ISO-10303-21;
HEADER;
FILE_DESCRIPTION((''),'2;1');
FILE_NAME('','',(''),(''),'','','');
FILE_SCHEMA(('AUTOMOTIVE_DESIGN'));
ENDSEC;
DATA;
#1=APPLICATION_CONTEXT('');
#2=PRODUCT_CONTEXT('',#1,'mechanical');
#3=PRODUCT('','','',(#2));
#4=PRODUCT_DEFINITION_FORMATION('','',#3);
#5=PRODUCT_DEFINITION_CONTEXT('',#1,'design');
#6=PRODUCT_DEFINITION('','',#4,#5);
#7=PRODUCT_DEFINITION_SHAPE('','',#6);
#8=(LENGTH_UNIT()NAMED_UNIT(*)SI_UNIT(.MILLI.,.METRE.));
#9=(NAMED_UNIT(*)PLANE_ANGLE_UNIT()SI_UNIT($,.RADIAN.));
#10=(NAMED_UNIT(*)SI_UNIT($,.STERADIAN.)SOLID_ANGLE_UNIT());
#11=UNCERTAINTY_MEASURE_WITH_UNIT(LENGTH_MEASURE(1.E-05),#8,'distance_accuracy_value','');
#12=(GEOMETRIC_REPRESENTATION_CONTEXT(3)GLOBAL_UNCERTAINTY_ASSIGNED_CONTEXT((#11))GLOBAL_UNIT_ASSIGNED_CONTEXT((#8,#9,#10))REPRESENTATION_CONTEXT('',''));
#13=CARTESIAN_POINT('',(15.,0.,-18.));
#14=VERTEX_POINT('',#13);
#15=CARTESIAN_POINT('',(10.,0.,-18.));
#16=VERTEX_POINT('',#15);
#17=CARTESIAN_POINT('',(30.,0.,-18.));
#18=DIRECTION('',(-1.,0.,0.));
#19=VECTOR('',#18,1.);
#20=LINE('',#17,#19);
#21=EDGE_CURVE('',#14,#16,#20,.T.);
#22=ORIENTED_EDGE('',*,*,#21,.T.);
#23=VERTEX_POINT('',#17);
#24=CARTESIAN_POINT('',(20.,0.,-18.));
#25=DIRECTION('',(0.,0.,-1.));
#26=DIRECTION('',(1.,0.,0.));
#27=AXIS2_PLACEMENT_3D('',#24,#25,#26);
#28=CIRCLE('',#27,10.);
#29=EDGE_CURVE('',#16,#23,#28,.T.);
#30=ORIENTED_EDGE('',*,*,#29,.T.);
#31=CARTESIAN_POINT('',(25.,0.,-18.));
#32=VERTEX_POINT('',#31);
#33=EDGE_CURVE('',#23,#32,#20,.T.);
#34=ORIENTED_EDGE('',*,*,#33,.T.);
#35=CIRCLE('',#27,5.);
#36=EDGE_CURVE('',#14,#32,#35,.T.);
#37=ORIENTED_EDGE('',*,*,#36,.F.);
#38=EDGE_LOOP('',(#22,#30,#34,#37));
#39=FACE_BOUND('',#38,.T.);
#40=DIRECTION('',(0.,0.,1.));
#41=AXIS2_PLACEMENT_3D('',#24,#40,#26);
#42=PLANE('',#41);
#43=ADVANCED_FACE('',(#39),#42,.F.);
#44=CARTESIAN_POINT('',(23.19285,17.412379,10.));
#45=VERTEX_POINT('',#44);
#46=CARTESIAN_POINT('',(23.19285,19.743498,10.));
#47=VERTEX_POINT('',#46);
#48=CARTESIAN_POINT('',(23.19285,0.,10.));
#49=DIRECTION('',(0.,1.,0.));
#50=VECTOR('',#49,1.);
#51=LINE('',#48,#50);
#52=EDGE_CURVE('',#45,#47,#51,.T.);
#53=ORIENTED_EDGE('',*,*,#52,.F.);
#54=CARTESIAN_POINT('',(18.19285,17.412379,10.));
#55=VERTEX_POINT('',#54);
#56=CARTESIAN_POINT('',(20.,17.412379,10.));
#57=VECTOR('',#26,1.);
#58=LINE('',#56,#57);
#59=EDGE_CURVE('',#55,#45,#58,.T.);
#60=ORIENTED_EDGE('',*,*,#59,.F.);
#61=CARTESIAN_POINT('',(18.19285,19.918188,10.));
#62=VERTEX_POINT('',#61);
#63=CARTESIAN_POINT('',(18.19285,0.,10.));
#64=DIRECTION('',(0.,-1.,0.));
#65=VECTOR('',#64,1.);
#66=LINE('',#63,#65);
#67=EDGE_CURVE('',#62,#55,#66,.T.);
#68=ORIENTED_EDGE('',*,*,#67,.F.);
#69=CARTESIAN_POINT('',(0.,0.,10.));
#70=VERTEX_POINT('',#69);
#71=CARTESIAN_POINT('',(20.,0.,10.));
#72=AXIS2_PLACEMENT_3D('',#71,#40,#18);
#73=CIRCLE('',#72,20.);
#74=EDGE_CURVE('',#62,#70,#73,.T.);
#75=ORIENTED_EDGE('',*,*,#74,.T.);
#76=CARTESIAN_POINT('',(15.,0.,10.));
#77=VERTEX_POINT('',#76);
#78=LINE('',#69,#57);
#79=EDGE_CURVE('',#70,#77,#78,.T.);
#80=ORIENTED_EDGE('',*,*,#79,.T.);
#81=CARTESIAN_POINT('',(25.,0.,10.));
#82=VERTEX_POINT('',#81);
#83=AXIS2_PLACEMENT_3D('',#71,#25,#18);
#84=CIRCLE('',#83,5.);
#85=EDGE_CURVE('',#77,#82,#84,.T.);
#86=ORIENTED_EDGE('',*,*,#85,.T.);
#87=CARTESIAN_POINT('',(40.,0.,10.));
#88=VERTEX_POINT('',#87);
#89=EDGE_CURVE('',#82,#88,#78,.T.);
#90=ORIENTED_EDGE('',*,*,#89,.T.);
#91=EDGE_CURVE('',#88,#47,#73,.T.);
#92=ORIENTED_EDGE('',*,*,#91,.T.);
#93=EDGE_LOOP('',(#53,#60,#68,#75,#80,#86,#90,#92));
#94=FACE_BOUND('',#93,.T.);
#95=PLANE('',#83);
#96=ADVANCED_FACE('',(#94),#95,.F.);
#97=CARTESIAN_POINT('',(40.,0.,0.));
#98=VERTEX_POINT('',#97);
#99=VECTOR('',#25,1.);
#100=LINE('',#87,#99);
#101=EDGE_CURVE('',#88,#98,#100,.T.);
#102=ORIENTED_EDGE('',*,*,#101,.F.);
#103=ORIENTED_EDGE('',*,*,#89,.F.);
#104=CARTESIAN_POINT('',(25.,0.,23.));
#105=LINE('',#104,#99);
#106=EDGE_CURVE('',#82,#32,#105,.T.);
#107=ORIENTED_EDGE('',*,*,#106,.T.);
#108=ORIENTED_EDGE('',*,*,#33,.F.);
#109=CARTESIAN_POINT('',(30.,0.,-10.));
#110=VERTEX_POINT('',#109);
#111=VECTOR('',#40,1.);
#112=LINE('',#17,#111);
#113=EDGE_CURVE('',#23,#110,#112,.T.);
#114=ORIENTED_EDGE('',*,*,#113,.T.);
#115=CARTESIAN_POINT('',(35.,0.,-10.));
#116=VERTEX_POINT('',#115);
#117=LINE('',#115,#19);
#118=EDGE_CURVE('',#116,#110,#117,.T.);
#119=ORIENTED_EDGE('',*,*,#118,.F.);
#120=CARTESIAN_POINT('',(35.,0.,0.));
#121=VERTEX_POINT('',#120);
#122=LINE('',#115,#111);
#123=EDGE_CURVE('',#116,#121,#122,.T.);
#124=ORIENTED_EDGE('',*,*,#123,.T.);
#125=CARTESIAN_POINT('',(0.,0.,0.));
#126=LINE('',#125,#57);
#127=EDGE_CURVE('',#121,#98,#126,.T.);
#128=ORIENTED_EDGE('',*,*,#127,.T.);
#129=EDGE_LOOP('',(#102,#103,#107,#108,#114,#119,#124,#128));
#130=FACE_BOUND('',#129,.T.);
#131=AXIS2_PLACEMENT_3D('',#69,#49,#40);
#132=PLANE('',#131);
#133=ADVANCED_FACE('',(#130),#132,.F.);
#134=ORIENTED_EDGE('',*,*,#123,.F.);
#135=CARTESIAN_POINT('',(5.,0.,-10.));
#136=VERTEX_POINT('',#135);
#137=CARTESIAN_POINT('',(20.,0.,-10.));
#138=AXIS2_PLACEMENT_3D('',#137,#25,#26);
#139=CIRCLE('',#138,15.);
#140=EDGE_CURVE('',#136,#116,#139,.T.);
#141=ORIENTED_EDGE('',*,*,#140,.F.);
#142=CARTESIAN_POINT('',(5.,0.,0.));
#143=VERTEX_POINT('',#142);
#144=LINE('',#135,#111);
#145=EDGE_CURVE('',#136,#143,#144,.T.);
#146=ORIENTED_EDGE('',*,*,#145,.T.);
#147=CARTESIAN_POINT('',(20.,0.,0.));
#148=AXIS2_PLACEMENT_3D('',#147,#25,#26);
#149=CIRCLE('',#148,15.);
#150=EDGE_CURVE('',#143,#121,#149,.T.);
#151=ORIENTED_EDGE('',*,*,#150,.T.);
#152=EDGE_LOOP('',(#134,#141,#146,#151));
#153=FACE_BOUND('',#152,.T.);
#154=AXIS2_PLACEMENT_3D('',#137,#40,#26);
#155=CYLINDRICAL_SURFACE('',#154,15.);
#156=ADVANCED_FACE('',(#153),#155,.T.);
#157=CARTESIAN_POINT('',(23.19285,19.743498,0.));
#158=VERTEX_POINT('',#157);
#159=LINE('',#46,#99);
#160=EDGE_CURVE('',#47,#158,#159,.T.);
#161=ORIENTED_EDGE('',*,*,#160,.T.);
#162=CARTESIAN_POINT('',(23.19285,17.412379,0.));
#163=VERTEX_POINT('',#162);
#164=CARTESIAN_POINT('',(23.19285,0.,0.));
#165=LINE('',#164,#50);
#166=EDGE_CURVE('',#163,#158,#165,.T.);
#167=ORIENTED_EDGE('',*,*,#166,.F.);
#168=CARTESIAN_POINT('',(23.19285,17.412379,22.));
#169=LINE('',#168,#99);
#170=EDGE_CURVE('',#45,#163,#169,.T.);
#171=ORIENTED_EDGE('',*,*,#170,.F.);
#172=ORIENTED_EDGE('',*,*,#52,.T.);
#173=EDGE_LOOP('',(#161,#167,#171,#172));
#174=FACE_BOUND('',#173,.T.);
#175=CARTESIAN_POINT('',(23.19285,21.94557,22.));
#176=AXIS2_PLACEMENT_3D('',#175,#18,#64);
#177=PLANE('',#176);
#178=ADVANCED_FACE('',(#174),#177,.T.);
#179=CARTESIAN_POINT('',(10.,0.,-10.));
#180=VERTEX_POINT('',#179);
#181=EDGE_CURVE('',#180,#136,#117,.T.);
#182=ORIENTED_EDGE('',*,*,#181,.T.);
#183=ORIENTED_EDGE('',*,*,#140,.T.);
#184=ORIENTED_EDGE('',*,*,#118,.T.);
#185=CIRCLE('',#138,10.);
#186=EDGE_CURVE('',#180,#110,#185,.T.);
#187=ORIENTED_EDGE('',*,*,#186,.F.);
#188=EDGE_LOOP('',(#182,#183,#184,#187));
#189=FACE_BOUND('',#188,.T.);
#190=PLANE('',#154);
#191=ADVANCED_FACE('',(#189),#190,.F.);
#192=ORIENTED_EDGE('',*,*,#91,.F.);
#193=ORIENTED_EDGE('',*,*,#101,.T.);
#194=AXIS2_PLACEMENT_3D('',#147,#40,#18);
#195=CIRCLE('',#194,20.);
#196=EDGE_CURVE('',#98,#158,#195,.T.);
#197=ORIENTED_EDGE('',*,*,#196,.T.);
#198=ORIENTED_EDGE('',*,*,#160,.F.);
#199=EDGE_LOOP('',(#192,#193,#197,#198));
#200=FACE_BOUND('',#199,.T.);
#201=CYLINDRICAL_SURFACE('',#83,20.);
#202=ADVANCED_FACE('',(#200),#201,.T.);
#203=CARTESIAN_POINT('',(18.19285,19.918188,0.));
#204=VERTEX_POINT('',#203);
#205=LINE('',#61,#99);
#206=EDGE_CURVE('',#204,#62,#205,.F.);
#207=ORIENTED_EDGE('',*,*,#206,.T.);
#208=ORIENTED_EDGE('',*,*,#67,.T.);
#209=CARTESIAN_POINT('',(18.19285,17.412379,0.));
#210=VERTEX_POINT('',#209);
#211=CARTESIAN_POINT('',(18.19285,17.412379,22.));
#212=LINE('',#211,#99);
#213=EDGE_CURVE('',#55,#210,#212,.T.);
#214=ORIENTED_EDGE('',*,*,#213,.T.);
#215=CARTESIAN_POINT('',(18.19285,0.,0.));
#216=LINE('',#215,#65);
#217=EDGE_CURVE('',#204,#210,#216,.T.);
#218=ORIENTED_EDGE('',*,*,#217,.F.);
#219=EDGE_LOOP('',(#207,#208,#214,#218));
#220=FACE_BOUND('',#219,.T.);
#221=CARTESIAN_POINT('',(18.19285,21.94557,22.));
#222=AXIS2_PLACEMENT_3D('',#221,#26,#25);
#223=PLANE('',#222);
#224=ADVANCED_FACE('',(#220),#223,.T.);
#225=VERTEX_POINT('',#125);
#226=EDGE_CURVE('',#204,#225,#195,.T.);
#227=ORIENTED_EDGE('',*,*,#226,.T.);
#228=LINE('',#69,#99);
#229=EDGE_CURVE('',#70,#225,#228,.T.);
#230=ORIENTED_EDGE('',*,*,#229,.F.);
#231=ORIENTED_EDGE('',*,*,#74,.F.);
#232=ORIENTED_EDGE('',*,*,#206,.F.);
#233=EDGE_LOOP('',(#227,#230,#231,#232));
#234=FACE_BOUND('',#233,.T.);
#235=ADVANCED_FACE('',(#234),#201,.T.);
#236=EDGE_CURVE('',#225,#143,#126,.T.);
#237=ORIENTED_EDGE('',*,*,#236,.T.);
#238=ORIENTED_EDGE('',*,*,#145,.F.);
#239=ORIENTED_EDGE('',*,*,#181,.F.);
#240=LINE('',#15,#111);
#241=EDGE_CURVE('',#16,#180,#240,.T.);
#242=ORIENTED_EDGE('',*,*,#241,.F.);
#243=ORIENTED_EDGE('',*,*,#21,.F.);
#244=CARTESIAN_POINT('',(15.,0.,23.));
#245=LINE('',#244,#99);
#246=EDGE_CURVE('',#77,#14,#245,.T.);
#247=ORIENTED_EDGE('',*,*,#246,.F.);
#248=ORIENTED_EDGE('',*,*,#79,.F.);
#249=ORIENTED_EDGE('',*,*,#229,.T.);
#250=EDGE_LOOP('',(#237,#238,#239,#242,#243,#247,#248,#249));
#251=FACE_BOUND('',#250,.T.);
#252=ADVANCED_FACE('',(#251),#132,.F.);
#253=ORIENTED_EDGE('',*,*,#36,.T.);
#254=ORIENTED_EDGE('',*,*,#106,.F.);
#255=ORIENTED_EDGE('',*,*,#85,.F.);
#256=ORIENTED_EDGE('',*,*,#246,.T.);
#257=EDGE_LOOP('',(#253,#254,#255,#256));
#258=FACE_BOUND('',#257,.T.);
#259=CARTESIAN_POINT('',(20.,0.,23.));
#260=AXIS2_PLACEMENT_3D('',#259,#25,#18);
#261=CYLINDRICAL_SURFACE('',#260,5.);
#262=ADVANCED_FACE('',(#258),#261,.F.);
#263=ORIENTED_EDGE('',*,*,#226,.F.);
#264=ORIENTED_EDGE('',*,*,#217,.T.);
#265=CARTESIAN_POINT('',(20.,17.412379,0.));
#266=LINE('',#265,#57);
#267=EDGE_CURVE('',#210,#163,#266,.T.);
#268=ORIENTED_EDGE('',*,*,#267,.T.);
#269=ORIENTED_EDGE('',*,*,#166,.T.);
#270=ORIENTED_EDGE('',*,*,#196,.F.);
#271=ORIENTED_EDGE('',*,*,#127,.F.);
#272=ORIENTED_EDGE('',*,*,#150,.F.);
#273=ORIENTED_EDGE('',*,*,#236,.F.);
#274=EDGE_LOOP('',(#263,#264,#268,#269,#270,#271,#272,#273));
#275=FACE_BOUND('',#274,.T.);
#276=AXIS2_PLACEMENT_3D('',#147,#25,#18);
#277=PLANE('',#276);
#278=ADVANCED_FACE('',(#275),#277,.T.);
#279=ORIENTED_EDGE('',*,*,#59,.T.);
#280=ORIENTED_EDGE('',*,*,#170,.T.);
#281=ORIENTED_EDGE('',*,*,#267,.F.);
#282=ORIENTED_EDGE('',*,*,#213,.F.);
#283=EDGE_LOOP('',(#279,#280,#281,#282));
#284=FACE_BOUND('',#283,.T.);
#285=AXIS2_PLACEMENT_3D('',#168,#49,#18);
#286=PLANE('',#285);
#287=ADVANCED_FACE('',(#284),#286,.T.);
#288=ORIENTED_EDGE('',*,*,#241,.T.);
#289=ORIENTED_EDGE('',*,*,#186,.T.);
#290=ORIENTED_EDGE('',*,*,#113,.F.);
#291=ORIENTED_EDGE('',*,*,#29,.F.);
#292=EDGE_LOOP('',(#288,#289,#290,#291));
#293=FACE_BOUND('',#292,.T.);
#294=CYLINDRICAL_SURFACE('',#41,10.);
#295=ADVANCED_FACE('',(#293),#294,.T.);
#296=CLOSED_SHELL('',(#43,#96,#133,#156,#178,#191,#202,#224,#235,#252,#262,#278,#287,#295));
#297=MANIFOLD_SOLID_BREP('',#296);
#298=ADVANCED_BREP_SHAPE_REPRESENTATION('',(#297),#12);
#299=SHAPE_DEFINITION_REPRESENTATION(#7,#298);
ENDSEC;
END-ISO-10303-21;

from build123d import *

# Parameters (mm, degrees)
BOSS_EXTRUDE1_DEPTH     = 10
CUT_EXTRUDE1_DEPTH      = 12
CUT_EXTRUDE1_DEPTH_BACK = 19
SKETCH3_W               = 5
SKETCH3_H               = 4.533190639
BOSS_EXTRUDE2_DEPTH     = 10
BOSS_EXTRUDE3_DEPTH     = 8
CUT_EXTRUDE3_DEPTH      = 41


with BuildPart() as part:
    # Sketch2 → Boss-Extrude1 (new body)
    with BuildSketch(Plane.XY):
        with BuildLine():
            Line((0, 0), (40, 0))
            ThreePointArc((40, 0), (20, 20), (0, 0))
        make_face()
    extrude(amount=BOSS_EXTRUDE1_DEPTH)

    # Sketch3 → Cut-Extrude1 (cut, two sides: drawn at the far end of the back side and taken through both)
    with BuildSketch(Plane.XY.offset(10).offset(-CUT_EXTRUDE1_DEPTH_BACK)):
        with Locations((20.692849678, 19.678974606)):
            Rectangle(SKETCH3_W, SKETCH3_H)
    extrude(amount=CUT_EXTRUDE1_DEPTH + CUT_EXTRUDE1_DEPTH_BACK, mode=Mode.SUBTRACT)

    # Sketch4 → Boss-Extrude2 (add)
    with BuildSketch(Plane(origin=(0, 0, 0), x_dir=(-1, 0, 0), z_dir=(0, 0, -1))):
        with BuildLine():
            Line((-35, 0), (-5, 0))
            ThreePointArc((-5, 0), (-20, 15), (-35, 0))
        make_face()
    extrude(amount=BOSS_EXTRUDE2_DEPTH)

    # Sketch5 → Boss-Extrude3 (add)
    with BuildSketch(Plane(origin=(0, 0, -10), x_dir=(-1, 0, 0), z_dir=(0, 0, -1))):
        with BuildLine():
            Line((-30, 0), (-10, 0))
            ThreePointArc((-10, 0), (-20, 10), (-30, 0))
        make_face()
    extrude(amount=BOSS_EXTRUDE3_DEPTH)

    # Sketch6 → Cut-Extrude3 (cut)
    with BuildSketch(Plane(origin=(0, 0, -18), x_dir=(-1, 0, 0), z_dir=(0, 0, -1))):
        with BuildLine():
            Line((-25, 0), (-15, 0))
            ThreePointArc((-15, 0), (-20, 5), (-25, 0))
        make_face()
    extrude(amount=-CUT_EXTRUDE3_DEPTH, mode=Mode.SUBTRACT)


solid = part.part
